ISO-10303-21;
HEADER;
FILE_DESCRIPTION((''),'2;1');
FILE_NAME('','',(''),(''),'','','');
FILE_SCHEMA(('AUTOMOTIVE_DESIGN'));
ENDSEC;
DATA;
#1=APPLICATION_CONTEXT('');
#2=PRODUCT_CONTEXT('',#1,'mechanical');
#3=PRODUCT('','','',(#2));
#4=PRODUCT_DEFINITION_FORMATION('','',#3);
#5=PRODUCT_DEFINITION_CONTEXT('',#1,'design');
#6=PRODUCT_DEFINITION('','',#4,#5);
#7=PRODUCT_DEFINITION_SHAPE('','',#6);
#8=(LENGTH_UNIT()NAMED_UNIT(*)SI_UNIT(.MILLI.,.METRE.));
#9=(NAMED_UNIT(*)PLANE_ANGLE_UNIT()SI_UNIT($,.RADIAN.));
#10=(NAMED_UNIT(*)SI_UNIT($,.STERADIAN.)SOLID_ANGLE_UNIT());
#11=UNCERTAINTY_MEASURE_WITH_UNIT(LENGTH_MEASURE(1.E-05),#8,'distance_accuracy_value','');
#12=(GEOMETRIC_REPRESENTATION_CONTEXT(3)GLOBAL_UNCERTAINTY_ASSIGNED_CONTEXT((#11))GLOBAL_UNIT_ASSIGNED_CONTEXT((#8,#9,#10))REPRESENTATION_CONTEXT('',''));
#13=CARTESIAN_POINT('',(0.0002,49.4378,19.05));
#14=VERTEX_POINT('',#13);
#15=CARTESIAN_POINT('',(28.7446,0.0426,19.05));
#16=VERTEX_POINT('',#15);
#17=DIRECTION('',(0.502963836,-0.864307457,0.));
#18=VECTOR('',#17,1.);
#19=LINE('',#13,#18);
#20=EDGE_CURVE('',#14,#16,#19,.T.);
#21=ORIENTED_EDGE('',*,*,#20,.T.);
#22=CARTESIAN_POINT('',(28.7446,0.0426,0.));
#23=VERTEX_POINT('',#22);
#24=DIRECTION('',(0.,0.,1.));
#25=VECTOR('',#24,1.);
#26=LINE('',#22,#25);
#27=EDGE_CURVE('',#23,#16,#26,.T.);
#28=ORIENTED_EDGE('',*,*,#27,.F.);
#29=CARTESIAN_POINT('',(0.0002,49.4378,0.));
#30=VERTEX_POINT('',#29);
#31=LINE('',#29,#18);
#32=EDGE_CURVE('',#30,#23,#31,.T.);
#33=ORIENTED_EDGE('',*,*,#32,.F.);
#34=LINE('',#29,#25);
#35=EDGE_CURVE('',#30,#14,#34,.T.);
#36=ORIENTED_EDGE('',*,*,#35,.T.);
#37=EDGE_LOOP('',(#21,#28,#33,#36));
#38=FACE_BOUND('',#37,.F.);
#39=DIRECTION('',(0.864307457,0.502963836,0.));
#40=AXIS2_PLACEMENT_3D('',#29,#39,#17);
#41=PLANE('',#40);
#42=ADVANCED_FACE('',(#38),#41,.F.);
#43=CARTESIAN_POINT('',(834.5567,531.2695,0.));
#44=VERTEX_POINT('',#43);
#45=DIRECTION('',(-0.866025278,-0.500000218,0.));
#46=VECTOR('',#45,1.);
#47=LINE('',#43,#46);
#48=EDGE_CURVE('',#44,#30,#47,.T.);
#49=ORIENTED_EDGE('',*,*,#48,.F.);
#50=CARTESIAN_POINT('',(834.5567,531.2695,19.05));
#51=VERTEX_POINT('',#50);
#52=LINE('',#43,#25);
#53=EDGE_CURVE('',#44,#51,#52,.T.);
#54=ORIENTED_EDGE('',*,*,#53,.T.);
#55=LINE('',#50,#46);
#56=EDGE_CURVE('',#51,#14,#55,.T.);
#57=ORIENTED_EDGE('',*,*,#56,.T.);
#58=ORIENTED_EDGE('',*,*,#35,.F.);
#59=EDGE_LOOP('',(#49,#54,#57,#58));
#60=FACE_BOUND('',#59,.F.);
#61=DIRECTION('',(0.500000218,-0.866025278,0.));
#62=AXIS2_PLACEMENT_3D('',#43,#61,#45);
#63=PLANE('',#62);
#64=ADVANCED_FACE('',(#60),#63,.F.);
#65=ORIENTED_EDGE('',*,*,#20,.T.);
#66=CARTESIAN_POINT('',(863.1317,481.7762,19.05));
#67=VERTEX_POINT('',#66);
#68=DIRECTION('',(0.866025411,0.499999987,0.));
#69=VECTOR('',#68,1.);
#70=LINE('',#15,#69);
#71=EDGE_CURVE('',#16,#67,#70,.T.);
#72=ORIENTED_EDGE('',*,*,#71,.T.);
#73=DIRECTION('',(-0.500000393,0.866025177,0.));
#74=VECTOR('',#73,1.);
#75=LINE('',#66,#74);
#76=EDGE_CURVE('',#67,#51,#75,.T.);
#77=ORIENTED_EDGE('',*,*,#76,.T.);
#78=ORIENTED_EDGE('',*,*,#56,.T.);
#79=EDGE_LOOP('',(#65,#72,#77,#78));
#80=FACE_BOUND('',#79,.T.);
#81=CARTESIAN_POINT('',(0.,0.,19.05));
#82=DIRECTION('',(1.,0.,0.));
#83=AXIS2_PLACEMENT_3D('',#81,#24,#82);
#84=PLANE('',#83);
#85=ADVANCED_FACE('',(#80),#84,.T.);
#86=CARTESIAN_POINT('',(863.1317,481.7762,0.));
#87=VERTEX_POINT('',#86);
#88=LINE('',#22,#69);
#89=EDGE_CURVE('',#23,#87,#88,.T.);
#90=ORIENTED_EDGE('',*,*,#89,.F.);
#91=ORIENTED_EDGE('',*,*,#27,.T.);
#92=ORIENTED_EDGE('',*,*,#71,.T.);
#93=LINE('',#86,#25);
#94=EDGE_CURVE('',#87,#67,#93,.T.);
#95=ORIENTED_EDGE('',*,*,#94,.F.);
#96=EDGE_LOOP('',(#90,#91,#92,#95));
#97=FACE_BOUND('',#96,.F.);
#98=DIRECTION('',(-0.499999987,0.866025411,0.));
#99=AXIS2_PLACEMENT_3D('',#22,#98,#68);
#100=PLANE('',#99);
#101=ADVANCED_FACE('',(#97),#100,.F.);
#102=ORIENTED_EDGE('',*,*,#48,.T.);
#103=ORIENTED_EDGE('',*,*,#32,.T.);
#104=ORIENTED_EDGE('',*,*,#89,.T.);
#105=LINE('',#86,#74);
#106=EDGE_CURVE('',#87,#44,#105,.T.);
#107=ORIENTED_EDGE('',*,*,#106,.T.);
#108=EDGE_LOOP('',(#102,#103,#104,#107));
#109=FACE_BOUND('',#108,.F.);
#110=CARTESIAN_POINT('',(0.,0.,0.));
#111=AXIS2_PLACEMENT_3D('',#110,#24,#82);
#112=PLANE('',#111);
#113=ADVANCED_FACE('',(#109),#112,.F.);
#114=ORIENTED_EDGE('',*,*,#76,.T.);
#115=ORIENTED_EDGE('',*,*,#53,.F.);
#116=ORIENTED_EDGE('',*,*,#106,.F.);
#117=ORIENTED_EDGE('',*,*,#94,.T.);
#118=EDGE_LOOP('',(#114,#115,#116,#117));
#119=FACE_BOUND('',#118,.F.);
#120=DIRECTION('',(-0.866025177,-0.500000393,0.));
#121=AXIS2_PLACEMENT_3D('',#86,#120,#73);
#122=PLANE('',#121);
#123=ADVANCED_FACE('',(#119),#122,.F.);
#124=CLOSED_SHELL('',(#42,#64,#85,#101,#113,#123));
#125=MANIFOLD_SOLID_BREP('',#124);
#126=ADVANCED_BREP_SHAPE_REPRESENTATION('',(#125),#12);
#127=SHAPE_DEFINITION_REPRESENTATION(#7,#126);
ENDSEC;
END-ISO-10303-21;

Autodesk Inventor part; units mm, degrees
ref_plane "YZ Plane" through (0, 0, 0) normal (1, 0, 0) x (0, 1, 0)
ref_plane "XZ Plane" through (0, 0, 0) normal (0, 1, 0) x (-1, 0, 0)
ref_plane "XY Plane" through (0, 0, 0) normal (0, 0, 1) x (1, 0, 0)
sketch "Sketch1" plane through (0, 0, 0) normal (0, 0, 1) x (1, 0, 0)
  line L0 (0.0002, 49.4378) -> (28.7446, 0.0426)
  line L1 (28.7446, 0.0426) -> (863.1317, 481.7762)
  line L2 (863.1317, 481.7762) -> (834.5567, 531.2695)
  line L3 (834.5567, 531.2695) -> (0.0002, 49.4378)
  point P0 (0, 0)
extrude "Extrusion1" add sketch "Sketch1" along normal blind 19.05
properties part number "nd-13"
